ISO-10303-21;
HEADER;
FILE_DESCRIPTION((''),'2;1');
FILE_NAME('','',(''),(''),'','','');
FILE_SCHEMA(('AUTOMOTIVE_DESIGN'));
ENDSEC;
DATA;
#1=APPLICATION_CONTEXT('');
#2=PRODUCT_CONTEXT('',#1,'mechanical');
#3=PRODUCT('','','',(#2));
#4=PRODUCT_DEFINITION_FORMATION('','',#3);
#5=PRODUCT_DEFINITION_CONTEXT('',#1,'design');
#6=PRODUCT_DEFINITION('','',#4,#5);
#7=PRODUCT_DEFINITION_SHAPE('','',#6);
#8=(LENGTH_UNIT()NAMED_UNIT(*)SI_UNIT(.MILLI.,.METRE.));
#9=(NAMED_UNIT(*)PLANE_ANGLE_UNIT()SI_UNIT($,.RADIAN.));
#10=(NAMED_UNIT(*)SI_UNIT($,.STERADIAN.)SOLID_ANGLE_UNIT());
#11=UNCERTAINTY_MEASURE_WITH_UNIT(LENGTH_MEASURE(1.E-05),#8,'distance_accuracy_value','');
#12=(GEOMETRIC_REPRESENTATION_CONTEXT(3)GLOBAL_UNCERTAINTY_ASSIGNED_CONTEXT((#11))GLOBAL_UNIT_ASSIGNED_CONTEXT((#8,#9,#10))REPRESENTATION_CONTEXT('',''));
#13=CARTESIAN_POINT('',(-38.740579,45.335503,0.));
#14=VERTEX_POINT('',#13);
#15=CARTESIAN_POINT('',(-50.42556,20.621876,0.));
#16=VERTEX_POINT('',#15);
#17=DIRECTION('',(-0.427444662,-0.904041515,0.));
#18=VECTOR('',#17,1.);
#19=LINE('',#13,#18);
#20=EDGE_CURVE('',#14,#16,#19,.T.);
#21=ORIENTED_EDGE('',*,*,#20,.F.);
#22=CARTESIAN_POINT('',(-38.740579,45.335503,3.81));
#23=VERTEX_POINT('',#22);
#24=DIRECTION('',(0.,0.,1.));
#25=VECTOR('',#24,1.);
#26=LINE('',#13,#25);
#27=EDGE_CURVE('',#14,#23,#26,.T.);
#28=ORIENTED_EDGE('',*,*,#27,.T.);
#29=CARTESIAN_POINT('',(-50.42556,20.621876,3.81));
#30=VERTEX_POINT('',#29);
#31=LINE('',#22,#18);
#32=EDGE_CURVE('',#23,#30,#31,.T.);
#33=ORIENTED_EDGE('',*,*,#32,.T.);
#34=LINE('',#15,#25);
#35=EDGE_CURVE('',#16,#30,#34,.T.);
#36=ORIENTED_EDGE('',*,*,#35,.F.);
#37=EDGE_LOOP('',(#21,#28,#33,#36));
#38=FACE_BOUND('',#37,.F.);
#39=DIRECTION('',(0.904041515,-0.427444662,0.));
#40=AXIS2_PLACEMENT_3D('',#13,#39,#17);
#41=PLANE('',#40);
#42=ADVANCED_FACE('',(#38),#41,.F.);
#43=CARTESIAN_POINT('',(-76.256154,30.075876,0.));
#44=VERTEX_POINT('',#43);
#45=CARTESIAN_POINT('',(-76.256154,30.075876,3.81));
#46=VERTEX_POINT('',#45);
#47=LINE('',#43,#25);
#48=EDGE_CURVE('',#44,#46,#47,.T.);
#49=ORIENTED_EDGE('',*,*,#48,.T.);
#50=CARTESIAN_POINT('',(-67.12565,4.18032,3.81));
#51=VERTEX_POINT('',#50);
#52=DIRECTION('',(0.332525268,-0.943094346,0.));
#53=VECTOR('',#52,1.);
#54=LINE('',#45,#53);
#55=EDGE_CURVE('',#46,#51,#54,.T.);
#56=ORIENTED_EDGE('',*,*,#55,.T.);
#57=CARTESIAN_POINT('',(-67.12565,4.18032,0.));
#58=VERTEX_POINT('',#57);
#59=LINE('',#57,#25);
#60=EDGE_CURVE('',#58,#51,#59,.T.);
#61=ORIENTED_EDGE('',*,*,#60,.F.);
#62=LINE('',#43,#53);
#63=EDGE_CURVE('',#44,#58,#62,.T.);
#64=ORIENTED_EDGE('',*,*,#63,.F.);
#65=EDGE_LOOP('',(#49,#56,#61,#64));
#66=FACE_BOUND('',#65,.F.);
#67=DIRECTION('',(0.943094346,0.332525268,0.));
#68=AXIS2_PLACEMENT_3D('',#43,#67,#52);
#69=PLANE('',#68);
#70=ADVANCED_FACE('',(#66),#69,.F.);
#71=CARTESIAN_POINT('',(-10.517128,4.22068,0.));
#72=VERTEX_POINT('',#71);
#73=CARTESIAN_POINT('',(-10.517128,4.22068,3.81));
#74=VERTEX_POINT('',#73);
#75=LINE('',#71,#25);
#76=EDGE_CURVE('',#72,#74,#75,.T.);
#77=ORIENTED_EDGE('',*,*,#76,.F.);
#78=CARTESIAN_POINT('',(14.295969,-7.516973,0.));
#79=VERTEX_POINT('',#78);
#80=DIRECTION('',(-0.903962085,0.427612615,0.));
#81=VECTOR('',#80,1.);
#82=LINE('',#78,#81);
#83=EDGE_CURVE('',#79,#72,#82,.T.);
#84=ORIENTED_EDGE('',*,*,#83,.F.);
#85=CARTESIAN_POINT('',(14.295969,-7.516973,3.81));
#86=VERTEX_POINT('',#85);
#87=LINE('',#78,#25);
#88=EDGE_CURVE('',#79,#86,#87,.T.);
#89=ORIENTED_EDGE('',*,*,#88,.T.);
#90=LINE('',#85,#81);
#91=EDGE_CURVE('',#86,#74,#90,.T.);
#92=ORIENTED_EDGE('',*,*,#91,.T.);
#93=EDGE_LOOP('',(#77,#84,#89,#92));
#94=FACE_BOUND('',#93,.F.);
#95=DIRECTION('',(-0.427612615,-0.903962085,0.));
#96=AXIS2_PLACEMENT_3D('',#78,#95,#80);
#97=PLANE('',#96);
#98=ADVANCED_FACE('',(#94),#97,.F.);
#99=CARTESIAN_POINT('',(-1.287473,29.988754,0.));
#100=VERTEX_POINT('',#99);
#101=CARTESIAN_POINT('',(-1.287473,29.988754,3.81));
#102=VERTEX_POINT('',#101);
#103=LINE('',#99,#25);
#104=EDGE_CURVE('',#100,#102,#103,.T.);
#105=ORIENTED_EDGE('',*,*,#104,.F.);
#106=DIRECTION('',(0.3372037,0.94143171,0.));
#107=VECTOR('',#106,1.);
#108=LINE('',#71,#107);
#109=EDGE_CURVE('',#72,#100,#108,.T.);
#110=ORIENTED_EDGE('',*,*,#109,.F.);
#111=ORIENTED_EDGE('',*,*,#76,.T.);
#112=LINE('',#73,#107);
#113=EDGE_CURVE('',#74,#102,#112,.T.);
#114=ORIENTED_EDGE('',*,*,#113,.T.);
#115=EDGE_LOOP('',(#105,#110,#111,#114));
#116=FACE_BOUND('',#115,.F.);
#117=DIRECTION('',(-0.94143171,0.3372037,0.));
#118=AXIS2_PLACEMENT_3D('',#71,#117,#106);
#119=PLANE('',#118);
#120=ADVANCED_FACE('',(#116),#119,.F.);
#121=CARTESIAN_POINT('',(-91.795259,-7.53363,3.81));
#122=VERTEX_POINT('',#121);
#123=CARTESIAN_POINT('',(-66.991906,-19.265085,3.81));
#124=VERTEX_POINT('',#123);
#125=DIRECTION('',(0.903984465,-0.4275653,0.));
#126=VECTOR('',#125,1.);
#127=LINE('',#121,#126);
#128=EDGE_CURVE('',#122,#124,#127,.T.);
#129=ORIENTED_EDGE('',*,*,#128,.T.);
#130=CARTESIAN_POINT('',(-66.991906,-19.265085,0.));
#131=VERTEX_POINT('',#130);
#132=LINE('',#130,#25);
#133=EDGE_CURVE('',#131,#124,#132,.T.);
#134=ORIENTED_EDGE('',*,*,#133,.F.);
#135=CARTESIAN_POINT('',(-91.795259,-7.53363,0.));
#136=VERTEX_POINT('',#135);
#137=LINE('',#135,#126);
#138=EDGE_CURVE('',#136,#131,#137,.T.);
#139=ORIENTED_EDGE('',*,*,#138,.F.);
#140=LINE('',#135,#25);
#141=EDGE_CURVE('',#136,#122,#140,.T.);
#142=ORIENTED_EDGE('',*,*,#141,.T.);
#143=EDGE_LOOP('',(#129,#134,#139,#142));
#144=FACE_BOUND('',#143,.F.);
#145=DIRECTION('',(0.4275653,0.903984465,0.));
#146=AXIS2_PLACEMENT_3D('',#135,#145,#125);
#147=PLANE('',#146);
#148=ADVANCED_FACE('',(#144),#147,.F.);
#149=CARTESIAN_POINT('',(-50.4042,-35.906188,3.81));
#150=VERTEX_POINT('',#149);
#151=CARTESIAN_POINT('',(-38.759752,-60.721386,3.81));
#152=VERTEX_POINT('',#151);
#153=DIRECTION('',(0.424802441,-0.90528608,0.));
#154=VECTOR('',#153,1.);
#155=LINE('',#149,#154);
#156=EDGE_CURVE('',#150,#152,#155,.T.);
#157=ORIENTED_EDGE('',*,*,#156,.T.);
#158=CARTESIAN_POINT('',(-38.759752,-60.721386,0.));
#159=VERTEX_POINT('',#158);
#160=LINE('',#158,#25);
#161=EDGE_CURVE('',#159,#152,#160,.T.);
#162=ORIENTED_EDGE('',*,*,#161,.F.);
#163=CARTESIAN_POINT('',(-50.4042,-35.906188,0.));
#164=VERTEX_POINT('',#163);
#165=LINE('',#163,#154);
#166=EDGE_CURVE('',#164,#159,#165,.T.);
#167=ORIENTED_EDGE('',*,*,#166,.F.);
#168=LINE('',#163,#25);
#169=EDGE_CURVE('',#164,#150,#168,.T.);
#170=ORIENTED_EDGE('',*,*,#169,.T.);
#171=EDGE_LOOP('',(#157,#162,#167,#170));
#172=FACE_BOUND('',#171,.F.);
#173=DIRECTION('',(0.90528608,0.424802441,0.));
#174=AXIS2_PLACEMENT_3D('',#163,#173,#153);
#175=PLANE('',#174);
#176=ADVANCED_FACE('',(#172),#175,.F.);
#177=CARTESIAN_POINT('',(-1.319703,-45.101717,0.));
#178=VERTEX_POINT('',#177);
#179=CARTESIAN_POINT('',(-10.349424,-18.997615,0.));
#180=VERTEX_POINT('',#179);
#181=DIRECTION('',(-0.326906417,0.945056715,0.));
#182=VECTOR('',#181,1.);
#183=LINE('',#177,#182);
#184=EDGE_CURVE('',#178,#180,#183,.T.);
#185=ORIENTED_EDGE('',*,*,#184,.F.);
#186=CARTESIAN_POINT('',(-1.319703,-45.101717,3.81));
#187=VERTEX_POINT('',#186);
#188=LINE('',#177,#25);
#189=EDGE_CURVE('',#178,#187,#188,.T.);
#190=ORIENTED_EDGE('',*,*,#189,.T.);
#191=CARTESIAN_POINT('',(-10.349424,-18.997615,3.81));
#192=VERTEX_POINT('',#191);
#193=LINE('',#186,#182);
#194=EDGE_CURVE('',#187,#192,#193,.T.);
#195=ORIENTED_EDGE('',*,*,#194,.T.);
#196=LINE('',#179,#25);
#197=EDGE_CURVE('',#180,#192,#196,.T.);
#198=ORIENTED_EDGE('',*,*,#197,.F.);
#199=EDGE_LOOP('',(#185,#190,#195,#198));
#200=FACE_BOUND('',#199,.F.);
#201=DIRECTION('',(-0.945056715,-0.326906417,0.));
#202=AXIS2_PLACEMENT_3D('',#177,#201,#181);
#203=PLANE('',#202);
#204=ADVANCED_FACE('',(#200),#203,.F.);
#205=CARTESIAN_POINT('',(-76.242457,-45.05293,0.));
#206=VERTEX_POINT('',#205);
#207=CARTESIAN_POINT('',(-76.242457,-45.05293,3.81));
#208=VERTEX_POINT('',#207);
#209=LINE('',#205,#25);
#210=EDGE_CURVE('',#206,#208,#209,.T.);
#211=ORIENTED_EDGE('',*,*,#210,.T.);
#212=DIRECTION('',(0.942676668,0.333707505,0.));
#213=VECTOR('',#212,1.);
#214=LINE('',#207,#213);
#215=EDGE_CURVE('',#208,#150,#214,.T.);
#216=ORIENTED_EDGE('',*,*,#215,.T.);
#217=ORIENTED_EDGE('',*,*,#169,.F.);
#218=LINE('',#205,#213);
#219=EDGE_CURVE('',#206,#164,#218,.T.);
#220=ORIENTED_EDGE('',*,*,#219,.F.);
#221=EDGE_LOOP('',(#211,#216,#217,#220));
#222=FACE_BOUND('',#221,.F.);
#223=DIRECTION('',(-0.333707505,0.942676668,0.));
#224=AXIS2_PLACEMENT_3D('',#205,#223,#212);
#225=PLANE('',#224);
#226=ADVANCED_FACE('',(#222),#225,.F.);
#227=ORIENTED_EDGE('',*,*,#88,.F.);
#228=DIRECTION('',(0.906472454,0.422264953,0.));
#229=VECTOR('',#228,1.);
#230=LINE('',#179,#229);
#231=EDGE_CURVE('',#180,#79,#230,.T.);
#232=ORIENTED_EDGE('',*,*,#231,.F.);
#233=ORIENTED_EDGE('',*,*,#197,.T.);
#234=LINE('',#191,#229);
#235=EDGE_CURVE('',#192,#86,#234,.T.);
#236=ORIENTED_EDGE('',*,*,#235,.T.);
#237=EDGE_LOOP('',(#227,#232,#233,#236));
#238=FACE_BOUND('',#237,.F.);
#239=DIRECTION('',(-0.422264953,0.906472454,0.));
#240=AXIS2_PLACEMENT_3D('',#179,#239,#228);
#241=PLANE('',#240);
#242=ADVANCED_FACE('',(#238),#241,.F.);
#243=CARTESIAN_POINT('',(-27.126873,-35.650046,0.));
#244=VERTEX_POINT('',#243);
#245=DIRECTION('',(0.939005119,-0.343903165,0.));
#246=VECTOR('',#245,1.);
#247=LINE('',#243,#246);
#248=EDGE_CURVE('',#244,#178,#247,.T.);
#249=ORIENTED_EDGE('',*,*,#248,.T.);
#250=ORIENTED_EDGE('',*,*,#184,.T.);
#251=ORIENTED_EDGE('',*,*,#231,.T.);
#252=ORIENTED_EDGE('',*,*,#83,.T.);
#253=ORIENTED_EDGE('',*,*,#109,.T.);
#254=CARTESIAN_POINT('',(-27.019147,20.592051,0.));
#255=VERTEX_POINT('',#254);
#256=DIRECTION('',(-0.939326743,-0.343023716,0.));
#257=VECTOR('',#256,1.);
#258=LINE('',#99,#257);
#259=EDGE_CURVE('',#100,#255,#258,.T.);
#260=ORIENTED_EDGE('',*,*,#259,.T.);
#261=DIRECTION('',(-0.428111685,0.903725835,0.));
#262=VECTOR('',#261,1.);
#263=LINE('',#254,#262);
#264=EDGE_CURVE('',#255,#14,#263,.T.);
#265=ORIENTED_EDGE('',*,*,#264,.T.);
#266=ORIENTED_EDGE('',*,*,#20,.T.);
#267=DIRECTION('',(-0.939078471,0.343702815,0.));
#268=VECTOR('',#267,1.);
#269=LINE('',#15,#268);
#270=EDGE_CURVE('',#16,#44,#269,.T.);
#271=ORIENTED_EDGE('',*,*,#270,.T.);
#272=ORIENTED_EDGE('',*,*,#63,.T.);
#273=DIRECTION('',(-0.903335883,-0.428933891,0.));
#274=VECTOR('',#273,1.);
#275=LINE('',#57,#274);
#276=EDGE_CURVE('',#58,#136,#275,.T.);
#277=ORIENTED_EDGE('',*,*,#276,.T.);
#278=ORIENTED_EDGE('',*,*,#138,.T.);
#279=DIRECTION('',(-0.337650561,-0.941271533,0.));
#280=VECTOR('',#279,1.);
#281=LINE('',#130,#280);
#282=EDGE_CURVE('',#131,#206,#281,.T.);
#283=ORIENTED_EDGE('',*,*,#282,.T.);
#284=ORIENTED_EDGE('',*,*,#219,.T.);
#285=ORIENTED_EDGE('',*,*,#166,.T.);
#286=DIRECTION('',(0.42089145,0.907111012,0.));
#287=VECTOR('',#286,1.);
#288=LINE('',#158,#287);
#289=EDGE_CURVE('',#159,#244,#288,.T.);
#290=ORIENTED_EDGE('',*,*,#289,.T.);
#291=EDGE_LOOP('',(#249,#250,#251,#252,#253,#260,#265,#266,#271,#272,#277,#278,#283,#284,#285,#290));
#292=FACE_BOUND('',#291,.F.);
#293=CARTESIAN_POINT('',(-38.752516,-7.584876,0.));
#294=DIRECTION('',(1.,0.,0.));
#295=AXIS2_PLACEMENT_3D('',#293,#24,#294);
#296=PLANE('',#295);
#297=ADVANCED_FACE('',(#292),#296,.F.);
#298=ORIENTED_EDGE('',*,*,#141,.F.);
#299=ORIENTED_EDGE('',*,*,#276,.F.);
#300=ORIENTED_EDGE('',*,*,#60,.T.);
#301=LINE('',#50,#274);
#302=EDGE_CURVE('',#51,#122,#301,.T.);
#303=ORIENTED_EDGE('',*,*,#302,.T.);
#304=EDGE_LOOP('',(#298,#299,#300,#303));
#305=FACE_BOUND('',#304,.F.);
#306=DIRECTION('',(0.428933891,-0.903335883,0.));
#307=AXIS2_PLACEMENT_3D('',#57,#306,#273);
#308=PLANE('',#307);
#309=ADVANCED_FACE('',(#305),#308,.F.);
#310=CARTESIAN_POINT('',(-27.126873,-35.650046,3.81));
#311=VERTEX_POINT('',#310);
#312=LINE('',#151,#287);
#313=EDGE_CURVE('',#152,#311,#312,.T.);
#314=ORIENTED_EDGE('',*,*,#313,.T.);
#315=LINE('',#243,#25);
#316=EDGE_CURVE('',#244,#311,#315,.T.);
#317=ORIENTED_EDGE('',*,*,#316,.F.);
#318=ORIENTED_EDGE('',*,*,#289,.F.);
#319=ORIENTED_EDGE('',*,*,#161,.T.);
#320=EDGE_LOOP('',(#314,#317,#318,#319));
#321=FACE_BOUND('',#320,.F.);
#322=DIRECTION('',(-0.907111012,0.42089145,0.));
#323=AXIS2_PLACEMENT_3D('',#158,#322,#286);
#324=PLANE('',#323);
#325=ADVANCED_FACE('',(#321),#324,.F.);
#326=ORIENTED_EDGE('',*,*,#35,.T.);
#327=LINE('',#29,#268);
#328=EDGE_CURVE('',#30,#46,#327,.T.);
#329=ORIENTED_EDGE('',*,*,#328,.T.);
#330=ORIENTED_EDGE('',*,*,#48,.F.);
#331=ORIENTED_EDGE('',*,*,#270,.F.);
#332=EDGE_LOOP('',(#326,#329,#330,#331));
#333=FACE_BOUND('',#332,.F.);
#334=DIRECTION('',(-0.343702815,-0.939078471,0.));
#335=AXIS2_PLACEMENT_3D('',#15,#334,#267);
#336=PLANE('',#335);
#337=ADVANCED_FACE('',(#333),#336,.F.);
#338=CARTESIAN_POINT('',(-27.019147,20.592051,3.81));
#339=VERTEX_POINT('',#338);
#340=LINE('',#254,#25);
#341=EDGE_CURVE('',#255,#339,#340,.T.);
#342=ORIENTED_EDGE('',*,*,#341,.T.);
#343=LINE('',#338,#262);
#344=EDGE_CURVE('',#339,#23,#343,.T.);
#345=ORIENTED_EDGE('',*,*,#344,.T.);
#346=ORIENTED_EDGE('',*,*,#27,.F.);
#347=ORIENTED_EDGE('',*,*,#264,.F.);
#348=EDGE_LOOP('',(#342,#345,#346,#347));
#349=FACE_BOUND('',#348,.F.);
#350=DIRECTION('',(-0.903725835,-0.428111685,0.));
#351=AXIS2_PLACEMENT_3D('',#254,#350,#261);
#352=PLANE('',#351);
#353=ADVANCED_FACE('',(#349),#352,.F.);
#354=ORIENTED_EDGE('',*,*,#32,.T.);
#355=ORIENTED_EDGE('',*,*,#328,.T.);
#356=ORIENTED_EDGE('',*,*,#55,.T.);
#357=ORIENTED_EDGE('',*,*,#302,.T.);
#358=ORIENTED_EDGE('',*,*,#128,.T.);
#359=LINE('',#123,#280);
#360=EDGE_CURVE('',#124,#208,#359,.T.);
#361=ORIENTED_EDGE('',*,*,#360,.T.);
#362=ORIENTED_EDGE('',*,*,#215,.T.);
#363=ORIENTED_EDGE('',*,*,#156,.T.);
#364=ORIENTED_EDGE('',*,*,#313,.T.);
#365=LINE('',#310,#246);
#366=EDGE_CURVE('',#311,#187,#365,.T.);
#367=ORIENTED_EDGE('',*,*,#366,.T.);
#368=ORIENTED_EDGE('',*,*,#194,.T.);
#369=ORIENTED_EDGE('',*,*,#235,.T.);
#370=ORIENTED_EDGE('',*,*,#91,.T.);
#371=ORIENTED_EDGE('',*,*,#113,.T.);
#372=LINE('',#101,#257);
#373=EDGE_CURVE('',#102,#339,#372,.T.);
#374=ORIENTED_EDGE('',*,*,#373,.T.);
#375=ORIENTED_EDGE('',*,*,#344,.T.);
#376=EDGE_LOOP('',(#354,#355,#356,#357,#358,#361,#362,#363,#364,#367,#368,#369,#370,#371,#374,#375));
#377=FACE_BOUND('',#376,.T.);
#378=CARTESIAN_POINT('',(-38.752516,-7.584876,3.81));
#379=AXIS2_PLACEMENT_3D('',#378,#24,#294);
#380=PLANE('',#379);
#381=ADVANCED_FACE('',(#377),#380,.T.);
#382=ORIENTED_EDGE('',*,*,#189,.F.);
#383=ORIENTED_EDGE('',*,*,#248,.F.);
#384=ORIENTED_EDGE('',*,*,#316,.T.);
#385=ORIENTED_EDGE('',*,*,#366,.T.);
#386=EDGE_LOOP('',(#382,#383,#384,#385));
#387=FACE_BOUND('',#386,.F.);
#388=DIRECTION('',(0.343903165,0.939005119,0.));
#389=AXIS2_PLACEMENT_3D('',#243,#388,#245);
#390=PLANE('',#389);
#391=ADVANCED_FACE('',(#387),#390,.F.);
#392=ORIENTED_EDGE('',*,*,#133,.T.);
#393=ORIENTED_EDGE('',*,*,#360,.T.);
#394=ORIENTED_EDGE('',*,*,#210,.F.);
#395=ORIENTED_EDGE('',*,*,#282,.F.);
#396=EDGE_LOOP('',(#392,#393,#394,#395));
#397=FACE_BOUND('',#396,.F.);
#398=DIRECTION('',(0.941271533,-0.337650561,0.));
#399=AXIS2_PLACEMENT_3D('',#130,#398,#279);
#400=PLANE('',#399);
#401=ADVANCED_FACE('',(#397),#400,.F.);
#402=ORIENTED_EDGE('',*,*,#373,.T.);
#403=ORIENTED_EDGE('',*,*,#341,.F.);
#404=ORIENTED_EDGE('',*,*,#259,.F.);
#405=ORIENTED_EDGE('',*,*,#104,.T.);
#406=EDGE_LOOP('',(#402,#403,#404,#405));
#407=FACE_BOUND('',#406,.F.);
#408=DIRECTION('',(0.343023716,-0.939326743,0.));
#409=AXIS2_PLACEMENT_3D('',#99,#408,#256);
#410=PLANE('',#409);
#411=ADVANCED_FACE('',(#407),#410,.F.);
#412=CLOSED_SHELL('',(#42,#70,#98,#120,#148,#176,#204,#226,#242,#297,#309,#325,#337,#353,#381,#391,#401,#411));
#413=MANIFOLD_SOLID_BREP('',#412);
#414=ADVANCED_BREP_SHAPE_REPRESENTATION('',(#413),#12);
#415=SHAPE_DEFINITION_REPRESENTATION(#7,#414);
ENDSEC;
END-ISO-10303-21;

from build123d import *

# Parameters (mm, degrees)
F1_DEPTH = 3.81


with BuildPart() as f1:
    # F0 (on Top) → F1 (new body)
    with BuildSketch(Plane.XY):
        Polygon((-38.740579, 45.335503), (-50.42556, 20.621876), (-76.256154, 30.075876), (-67.12565, 4.18032), (-91.795259, -7.53363), (-66.991906, -19.265085), (-76.242457, -45.05293), (-50.4042, -35.906188), (-38.759752, -60.721386), (-27.126873, -35.650046), (-1.319703, -45.101717), (-10.349424, -18.997615), (14.295969, -7.516973), (-10.517128, 4.22068), (-1.287473, 29.988754), (-27.019147, 20.592051), align=None)
    extrude(amount=F1_DEPTH)


solid = f1.part
